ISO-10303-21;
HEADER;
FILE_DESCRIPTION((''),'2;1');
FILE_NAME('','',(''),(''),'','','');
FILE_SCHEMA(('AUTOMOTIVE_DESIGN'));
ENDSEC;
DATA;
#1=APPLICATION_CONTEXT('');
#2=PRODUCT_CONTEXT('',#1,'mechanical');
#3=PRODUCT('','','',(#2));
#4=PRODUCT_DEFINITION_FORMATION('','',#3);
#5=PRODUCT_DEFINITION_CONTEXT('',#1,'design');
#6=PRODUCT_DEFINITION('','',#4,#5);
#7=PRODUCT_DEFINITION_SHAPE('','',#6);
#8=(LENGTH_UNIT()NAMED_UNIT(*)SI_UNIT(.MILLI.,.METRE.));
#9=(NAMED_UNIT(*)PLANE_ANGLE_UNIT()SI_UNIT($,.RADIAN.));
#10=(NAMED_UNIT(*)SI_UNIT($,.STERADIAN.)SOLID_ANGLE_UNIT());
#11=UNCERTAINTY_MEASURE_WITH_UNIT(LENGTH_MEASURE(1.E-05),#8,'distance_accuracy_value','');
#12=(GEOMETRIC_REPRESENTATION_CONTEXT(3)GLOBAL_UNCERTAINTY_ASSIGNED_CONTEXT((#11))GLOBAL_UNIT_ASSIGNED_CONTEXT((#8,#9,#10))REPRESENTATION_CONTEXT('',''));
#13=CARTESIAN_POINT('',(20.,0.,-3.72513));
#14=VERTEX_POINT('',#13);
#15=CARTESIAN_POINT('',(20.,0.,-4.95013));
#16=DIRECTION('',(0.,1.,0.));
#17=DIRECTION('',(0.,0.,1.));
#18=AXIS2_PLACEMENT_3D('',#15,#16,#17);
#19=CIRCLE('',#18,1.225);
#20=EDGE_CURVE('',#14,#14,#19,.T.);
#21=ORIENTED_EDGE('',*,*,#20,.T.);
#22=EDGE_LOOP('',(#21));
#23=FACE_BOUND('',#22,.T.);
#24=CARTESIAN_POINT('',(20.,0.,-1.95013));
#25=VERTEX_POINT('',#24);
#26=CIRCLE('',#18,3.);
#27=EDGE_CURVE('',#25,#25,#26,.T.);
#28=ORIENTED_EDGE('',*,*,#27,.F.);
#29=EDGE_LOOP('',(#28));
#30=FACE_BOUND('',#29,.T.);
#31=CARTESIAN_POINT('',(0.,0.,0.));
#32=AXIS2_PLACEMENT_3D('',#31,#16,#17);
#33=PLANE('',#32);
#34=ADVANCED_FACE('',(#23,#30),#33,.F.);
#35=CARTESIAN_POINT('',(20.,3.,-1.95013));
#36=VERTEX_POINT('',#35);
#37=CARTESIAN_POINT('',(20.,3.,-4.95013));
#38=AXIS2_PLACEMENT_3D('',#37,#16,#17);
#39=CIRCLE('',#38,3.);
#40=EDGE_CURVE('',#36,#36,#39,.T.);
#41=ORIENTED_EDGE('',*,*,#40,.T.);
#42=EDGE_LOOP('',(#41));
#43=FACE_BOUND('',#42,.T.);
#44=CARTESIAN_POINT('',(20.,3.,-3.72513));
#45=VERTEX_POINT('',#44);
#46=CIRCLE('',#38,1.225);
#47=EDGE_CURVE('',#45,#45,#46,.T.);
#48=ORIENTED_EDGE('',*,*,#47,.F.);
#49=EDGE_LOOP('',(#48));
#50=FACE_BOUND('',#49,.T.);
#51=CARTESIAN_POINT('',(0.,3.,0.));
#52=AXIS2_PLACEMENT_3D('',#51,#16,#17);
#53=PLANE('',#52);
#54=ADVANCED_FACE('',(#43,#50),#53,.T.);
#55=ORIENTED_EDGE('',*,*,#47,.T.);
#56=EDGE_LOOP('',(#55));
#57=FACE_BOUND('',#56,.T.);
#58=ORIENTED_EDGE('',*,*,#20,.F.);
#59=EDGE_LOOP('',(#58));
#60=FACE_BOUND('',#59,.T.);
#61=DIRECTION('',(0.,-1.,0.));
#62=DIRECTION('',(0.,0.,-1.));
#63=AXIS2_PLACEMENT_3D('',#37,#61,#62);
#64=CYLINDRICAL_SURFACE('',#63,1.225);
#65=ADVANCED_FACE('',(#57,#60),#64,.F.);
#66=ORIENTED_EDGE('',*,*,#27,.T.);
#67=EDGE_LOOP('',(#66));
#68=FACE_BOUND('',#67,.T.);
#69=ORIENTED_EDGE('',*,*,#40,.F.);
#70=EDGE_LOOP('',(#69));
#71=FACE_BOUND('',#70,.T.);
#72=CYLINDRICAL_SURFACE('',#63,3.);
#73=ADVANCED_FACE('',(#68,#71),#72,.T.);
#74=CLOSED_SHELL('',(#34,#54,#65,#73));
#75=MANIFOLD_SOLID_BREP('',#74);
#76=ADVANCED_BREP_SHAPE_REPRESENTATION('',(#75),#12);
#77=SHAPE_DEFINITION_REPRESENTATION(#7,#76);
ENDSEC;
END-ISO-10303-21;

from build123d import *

# Parameters (mm, degrees)
SKETCH_1_R      = 3
SKETCH_1_R_2    = 1.225
EXTRUDE_1_DEPTH = 3


with BuildPart() as part:
    # 草图1 → 凸台-拉伸1 (new body)
    with BuildSketch(Plane(origin=(0, 0, 0), x_dir=(1, 0, 0), z_dir=(0, 1, 0))):
        with Locations((20, 4.950130432)):
            Circle(SKETCH_1_R)
        with Locations((20, 4.950130432)):
            Circle(SKETCH_1_R_2, mode=Mode.SUBTRACT)
    extrude(amount=EXTRUDE_1_DEPTH)


solid = part.part
